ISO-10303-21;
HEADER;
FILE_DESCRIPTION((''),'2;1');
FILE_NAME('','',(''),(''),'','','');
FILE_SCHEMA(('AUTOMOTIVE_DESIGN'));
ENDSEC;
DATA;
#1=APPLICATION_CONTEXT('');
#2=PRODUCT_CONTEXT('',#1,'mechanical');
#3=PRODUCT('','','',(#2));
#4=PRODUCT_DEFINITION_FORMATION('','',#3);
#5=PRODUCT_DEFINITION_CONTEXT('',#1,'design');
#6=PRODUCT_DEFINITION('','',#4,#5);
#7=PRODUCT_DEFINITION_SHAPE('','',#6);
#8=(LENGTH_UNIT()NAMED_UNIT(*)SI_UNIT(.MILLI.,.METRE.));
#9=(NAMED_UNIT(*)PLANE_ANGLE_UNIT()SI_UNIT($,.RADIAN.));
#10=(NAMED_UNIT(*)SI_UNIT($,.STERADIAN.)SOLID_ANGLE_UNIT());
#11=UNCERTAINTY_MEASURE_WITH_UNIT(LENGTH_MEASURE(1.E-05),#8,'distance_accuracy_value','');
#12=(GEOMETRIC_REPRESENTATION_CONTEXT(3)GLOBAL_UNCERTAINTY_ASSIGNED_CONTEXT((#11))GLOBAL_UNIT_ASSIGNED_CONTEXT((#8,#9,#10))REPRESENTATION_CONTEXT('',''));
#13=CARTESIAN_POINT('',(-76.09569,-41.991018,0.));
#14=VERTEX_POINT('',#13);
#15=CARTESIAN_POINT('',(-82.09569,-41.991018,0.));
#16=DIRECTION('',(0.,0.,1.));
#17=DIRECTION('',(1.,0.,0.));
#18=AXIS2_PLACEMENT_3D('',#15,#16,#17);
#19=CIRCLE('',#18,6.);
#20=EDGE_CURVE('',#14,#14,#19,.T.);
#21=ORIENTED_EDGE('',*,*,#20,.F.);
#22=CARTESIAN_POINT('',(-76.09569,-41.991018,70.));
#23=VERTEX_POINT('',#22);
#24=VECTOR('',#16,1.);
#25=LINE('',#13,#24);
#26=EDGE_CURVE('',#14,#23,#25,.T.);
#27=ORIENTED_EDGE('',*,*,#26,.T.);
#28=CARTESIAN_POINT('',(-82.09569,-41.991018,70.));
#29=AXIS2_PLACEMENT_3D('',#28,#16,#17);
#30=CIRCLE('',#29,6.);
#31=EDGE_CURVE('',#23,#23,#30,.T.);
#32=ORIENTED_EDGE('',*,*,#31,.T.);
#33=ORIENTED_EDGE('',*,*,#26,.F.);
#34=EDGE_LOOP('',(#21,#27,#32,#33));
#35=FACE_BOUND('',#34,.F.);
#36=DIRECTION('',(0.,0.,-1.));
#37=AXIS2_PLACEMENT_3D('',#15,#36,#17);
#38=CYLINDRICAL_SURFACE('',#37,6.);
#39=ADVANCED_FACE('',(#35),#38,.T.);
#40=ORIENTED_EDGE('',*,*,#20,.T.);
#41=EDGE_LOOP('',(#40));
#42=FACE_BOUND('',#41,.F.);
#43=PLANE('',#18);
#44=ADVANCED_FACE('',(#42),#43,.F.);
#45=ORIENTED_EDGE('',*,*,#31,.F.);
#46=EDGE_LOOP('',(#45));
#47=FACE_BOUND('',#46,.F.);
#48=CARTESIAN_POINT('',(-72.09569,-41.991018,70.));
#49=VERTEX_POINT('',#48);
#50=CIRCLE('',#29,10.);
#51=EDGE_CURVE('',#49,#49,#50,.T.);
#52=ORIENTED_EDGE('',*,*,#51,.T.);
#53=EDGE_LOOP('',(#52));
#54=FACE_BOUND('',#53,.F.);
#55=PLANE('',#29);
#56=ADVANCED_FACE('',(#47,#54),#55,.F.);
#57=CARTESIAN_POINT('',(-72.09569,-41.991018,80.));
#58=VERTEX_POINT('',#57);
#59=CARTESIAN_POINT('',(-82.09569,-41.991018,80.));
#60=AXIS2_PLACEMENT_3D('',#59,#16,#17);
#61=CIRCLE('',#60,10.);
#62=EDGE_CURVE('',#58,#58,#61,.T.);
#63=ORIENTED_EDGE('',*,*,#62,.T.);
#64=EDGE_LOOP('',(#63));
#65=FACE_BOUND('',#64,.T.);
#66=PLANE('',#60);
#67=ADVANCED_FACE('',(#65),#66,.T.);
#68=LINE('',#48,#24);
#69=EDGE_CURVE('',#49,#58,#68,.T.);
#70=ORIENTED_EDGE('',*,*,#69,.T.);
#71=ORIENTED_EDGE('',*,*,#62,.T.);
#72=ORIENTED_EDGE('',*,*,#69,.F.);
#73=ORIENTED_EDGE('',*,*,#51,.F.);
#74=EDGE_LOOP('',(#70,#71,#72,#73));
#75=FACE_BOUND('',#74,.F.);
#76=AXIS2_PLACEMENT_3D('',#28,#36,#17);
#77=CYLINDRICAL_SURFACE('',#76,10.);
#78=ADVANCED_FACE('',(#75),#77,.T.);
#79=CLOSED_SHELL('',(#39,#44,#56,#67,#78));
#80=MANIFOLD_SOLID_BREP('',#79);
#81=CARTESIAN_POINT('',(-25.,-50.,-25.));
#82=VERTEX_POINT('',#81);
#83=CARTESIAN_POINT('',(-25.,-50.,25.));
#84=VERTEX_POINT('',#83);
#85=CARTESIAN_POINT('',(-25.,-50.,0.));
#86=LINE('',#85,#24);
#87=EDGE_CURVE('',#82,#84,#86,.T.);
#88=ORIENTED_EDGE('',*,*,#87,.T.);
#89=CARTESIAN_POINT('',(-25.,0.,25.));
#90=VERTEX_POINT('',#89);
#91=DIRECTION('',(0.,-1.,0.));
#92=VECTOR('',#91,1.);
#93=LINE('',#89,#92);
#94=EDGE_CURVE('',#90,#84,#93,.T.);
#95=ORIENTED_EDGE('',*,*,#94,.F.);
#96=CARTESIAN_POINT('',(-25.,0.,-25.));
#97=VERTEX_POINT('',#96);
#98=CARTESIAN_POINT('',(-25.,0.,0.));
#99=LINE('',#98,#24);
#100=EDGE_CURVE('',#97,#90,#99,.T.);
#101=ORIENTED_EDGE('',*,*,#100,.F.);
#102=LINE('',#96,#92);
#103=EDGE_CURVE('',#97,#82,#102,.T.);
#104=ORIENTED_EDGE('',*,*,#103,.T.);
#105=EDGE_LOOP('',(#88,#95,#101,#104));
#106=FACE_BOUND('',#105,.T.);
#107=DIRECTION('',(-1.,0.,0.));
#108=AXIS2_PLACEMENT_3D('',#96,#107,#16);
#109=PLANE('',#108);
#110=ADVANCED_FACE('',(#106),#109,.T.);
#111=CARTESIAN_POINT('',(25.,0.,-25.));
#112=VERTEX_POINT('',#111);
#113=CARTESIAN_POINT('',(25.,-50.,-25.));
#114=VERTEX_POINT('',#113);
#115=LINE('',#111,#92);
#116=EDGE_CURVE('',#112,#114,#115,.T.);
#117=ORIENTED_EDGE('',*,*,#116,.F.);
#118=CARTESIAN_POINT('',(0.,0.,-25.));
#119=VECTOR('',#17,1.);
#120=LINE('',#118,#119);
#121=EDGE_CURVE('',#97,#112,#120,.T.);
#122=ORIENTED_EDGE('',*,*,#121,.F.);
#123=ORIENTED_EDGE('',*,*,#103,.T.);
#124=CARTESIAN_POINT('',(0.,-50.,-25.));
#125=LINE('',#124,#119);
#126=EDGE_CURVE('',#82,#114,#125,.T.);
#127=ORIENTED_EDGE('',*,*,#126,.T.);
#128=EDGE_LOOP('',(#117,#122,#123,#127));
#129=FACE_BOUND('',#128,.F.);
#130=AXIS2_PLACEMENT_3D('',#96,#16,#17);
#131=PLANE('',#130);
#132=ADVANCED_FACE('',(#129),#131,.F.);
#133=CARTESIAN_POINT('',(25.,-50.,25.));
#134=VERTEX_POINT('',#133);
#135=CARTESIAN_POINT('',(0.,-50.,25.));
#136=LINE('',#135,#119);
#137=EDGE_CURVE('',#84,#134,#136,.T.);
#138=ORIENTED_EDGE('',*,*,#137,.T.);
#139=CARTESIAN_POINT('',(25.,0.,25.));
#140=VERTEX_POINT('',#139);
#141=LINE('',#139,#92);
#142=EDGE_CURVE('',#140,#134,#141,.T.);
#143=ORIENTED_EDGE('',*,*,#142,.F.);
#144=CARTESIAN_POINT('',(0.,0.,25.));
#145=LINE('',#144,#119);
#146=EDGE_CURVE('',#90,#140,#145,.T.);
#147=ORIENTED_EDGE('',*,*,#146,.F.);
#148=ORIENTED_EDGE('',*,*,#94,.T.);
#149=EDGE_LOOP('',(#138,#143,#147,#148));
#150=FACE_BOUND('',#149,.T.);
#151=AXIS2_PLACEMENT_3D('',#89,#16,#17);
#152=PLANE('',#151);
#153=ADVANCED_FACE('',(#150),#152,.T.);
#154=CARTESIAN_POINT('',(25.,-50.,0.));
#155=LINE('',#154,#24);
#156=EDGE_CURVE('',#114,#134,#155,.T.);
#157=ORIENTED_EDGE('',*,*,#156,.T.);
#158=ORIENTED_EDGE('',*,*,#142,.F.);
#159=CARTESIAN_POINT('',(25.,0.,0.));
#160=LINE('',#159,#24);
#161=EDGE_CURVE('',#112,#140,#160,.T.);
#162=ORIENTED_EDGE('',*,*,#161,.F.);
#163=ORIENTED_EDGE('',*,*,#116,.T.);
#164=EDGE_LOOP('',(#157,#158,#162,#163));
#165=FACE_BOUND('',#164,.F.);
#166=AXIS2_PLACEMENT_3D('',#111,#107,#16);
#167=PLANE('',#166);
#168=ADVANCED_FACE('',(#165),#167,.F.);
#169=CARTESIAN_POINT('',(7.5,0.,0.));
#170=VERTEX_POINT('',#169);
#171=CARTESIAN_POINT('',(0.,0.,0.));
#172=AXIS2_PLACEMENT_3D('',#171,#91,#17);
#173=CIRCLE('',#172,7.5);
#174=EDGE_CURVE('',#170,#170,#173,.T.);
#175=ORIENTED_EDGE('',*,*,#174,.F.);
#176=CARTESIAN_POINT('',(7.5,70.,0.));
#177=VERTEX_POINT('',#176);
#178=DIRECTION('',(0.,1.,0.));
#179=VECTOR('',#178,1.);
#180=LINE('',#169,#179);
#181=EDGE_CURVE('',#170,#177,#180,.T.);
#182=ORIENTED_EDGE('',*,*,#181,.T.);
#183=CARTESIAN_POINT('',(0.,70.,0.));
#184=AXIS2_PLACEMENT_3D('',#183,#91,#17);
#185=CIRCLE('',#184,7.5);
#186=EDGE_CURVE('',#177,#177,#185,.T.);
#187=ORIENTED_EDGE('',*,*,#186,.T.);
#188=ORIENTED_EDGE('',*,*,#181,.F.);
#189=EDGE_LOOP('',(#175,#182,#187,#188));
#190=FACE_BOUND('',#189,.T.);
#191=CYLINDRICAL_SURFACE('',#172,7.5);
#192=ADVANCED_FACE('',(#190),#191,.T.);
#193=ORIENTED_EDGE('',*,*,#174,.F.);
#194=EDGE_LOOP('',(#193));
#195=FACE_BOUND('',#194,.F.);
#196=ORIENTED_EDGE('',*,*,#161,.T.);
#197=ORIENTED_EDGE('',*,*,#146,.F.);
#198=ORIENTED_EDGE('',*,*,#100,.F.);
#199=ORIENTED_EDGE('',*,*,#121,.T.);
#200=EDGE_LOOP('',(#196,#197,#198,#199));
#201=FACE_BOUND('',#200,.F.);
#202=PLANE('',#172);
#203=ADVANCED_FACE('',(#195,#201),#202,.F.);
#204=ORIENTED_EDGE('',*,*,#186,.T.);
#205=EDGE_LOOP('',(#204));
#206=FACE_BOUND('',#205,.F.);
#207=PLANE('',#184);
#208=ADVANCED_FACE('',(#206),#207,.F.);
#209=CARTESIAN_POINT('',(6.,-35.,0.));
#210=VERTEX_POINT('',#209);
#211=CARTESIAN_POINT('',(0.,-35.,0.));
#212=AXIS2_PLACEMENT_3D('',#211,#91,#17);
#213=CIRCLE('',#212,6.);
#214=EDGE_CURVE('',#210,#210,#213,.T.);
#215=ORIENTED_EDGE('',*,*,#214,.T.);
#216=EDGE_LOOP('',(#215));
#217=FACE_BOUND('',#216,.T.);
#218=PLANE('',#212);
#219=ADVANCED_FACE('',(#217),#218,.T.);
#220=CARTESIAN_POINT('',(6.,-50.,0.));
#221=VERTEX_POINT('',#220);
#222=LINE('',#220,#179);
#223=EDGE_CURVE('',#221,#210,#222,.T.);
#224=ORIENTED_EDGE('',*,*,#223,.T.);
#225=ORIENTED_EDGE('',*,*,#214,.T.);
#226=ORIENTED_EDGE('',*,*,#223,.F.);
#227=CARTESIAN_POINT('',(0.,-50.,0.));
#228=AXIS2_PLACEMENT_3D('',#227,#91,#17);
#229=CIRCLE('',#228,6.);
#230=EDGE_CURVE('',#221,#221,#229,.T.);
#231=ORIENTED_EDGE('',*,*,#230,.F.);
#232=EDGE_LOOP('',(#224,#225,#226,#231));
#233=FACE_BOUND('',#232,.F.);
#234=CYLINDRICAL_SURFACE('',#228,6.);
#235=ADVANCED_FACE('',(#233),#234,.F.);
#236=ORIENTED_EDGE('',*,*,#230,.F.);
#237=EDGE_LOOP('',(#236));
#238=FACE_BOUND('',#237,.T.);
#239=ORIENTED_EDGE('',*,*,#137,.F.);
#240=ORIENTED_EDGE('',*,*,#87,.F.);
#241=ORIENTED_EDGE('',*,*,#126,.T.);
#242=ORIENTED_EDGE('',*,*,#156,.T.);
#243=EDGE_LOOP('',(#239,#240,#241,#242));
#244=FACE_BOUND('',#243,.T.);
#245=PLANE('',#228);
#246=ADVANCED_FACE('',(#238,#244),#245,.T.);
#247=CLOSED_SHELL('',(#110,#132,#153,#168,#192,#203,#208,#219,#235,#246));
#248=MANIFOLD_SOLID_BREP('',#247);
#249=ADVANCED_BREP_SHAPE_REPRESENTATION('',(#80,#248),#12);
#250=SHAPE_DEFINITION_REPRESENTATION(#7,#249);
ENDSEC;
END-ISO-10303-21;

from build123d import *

# Parameters (mm, degrees)
F0_W     = 50
F0_H     = 50
F0_R     = 7.5
F1_DEPTH = 50
F2_DEPTH = 70
F3_R     = 6
F4_DEPTH = 15
F5_R     = 6
F6_DEPTH = 70
F7_R     = 10
F7_R_2   = 6
F8_DEPTH = 10


with BuildPart() as f1:
    # F0 (on Front) → F1 (new body)
    with BuildSketch(Plane.XZ):
        Rectangle(F0_W, F0_H)
        Circle(F0_R, mode=Mode.SUBTRACT)
        Circle(F0_R)
    extrude(amount=F1_DEPTH)

    # F0 (on Front) → F2 (join)
    with BuildSketch(Plane.XZ):
        Circle(F0_R)
    extrude(amount=-F2_DEPTH)

    # F3 (on face) → F4 (cut)
    with BuildSketch(Plane.XZ.offset(50)):
        Circle(F3_R)
    extrude(amount=-F4_DEPTH, mode=Mode.SUBTRACT)


with BuildPart() as f6:
    # F5 (on Top) → F6 (new body)
    with BuildSketch(Plane.XY):
        with Locations((-82.0956900716, -41.9910177588)):
            Circle(F5_R)
    extrude(amount=F6_DEPTH)

    # F7 (on face) → F8 (join)
    with BuildSketch(Plane.XY.offset(70)):
        with Locations((-82.0956900716, -41.9910177588)):
            Circle(F7_R)
        with Locations((-82.0956900716, -41.9910177588)):
            Circle(F7_R_2, mode=Mode.SUBTRACT)
        with Locations((-82.0956900716, -41.9910177588)):
            Circle(F7_R_2)
    extrude(amount=F8_DEPTH)


solid = Compound([f1.part, f6.part])
